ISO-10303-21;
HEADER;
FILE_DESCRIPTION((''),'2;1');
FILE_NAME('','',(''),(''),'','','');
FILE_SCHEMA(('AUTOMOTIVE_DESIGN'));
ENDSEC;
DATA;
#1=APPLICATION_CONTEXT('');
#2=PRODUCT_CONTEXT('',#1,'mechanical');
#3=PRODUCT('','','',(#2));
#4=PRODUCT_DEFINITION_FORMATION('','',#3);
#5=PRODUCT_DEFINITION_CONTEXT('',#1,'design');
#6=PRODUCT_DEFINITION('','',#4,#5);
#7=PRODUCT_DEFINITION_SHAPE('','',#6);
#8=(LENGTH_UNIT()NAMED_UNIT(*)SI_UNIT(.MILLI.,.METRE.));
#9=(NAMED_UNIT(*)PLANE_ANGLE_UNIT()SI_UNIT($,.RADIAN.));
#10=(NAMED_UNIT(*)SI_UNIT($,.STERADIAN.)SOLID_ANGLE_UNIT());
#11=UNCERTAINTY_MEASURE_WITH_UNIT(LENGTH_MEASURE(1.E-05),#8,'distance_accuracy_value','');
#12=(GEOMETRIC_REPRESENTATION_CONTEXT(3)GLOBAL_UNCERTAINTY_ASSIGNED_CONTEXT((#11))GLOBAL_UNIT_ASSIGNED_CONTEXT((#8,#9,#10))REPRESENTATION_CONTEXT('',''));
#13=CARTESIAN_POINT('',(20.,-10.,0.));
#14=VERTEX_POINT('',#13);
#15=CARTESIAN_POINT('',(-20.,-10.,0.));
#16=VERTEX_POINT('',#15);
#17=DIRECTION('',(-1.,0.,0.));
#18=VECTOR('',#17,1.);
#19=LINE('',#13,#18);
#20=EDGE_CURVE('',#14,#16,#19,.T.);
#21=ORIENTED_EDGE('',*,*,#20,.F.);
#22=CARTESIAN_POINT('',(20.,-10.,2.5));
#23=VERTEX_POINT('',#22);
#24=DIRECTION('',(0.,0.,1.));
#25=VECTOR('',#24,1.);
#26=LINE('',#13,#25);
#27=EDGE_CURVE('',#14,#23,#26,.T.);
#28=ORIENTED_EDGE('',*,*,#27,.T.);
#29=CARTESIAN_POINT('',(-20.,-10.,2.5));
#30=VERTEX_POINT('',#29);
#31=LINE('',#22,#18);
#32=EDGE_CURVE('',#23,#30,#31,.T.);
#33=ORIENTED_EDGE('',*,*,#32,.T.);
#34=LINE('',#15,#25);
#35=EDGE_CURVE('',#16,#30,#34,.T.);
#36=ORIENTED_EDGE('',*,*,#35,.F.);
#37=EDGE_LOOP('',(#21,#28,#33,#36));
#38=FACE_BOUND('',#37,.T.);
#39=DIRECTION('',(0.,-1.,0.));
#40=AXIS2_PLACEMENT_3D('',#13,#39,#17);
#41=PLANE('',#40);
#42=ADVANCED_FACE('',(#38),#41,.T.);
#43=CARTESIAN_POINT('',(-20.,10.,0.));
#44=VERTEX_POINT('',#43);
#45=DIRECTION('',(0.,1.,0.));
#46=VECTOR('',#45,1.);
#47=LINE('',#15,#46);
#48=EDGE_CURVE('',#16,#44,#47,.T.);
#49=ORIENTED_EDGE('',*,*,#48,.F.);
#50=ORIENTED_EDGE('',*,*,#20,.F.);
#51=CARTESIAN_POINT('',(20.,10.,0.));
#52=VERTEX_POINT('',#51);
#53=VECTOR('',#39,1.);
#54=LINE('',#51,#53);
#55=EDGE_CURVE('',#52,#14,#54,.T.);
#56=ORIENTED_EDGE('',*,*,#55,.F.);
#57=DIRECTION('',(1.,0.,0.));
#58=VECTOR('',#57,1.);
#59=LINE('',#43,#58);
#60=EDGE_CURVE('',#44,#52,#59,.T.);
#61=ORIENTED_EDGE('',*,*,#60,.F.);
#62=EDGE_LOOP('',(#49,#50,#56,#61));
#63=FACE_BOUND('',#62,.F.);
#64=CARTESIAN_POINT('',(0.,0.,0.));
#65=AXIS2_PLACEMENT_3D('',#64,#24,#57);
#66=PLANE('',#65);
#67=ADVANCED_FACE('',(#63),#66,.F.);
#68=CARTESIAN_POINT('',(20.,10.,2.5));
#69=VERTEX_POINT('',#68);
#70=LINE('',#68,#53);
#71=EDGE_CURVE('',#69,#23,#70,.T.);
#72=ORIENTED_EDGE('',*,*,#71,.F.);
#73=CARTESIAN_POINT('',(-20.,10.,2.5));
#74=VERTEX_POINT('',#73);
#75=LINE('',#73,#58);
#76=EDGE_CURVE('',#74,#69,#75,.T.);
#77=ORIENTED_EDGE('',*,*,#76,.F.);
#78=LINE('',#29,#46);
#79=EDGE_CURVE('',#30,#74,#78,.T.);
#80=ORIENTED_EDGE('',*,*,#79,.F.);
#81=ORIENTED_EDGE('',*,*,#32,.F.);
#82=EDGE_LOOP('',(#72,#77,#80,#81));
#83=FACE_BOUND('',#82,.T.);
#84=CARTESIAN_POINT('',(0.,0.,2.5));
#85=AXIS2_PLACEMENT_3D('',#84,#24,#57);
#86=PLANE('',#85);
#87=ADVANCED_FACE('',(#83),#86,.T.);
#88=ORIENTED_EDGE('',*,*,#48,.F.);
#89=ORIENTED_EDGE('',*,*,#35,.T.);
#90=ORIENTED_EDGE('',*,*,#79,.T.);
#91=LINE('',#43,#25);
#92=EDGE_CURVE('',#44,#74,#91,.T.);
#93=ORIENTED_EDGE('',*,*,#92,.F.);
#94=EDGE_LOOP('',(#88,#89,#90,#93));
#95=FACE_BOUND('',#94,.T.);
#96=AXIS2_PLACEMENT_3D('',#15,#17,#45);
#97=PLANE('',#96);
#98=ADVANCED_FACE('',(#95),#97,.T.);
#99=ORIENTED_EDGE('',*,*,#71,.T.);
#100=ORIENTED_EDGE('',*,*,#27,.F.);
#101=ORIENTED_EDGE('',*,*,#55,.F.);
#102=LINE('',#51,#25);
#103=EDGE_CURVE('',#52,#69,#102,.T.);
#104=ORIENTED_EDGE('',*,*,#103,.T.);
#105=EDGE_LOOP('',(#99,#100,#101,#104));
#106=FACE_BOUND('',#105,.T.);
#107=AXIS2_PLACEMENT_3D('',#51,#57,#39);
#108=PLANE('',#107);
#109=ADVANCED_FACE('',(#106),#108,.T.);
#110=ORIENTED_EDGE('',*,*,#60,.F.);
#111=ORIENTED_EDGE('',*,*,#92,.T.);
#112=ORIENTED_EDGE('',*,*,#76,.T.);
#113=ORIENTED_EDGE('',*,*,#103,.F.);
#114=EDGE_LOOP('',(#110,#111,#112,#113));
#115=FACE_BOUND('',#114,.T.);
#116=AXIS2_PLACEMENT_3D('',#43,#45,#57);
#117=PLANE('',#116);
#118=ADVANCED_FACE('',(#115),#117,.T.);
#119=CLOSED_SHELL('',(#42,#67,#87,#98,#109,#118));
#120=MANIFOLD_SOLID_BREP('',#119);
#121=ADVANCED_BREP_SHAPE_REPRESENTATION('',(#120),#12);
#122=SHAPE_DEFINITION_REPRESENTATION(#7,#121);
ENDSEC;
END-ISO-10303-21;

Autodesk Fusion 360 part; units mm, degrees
sketch "Sketch1" plane through (0, 0, 0) normal (0, 0, 1) x (1, 0, 0)
  line L0 (20, -10) -> (-20, -10)
  line L1 (-20, -10) -> (-20, 10)
  line L2 (-20, 10) -> (20, 10)
  line L3 (20, 10) -> (20, -10)
  line L4 (20, -10) -> (-20, 10) construction
  line L5 (-20, -10) -> (20, 10) construction
  dimension "d1" = 40
  dimension "d2" = 20
extrude "Extrude1" add sketch "Sketch1" along normal blind 2.5
